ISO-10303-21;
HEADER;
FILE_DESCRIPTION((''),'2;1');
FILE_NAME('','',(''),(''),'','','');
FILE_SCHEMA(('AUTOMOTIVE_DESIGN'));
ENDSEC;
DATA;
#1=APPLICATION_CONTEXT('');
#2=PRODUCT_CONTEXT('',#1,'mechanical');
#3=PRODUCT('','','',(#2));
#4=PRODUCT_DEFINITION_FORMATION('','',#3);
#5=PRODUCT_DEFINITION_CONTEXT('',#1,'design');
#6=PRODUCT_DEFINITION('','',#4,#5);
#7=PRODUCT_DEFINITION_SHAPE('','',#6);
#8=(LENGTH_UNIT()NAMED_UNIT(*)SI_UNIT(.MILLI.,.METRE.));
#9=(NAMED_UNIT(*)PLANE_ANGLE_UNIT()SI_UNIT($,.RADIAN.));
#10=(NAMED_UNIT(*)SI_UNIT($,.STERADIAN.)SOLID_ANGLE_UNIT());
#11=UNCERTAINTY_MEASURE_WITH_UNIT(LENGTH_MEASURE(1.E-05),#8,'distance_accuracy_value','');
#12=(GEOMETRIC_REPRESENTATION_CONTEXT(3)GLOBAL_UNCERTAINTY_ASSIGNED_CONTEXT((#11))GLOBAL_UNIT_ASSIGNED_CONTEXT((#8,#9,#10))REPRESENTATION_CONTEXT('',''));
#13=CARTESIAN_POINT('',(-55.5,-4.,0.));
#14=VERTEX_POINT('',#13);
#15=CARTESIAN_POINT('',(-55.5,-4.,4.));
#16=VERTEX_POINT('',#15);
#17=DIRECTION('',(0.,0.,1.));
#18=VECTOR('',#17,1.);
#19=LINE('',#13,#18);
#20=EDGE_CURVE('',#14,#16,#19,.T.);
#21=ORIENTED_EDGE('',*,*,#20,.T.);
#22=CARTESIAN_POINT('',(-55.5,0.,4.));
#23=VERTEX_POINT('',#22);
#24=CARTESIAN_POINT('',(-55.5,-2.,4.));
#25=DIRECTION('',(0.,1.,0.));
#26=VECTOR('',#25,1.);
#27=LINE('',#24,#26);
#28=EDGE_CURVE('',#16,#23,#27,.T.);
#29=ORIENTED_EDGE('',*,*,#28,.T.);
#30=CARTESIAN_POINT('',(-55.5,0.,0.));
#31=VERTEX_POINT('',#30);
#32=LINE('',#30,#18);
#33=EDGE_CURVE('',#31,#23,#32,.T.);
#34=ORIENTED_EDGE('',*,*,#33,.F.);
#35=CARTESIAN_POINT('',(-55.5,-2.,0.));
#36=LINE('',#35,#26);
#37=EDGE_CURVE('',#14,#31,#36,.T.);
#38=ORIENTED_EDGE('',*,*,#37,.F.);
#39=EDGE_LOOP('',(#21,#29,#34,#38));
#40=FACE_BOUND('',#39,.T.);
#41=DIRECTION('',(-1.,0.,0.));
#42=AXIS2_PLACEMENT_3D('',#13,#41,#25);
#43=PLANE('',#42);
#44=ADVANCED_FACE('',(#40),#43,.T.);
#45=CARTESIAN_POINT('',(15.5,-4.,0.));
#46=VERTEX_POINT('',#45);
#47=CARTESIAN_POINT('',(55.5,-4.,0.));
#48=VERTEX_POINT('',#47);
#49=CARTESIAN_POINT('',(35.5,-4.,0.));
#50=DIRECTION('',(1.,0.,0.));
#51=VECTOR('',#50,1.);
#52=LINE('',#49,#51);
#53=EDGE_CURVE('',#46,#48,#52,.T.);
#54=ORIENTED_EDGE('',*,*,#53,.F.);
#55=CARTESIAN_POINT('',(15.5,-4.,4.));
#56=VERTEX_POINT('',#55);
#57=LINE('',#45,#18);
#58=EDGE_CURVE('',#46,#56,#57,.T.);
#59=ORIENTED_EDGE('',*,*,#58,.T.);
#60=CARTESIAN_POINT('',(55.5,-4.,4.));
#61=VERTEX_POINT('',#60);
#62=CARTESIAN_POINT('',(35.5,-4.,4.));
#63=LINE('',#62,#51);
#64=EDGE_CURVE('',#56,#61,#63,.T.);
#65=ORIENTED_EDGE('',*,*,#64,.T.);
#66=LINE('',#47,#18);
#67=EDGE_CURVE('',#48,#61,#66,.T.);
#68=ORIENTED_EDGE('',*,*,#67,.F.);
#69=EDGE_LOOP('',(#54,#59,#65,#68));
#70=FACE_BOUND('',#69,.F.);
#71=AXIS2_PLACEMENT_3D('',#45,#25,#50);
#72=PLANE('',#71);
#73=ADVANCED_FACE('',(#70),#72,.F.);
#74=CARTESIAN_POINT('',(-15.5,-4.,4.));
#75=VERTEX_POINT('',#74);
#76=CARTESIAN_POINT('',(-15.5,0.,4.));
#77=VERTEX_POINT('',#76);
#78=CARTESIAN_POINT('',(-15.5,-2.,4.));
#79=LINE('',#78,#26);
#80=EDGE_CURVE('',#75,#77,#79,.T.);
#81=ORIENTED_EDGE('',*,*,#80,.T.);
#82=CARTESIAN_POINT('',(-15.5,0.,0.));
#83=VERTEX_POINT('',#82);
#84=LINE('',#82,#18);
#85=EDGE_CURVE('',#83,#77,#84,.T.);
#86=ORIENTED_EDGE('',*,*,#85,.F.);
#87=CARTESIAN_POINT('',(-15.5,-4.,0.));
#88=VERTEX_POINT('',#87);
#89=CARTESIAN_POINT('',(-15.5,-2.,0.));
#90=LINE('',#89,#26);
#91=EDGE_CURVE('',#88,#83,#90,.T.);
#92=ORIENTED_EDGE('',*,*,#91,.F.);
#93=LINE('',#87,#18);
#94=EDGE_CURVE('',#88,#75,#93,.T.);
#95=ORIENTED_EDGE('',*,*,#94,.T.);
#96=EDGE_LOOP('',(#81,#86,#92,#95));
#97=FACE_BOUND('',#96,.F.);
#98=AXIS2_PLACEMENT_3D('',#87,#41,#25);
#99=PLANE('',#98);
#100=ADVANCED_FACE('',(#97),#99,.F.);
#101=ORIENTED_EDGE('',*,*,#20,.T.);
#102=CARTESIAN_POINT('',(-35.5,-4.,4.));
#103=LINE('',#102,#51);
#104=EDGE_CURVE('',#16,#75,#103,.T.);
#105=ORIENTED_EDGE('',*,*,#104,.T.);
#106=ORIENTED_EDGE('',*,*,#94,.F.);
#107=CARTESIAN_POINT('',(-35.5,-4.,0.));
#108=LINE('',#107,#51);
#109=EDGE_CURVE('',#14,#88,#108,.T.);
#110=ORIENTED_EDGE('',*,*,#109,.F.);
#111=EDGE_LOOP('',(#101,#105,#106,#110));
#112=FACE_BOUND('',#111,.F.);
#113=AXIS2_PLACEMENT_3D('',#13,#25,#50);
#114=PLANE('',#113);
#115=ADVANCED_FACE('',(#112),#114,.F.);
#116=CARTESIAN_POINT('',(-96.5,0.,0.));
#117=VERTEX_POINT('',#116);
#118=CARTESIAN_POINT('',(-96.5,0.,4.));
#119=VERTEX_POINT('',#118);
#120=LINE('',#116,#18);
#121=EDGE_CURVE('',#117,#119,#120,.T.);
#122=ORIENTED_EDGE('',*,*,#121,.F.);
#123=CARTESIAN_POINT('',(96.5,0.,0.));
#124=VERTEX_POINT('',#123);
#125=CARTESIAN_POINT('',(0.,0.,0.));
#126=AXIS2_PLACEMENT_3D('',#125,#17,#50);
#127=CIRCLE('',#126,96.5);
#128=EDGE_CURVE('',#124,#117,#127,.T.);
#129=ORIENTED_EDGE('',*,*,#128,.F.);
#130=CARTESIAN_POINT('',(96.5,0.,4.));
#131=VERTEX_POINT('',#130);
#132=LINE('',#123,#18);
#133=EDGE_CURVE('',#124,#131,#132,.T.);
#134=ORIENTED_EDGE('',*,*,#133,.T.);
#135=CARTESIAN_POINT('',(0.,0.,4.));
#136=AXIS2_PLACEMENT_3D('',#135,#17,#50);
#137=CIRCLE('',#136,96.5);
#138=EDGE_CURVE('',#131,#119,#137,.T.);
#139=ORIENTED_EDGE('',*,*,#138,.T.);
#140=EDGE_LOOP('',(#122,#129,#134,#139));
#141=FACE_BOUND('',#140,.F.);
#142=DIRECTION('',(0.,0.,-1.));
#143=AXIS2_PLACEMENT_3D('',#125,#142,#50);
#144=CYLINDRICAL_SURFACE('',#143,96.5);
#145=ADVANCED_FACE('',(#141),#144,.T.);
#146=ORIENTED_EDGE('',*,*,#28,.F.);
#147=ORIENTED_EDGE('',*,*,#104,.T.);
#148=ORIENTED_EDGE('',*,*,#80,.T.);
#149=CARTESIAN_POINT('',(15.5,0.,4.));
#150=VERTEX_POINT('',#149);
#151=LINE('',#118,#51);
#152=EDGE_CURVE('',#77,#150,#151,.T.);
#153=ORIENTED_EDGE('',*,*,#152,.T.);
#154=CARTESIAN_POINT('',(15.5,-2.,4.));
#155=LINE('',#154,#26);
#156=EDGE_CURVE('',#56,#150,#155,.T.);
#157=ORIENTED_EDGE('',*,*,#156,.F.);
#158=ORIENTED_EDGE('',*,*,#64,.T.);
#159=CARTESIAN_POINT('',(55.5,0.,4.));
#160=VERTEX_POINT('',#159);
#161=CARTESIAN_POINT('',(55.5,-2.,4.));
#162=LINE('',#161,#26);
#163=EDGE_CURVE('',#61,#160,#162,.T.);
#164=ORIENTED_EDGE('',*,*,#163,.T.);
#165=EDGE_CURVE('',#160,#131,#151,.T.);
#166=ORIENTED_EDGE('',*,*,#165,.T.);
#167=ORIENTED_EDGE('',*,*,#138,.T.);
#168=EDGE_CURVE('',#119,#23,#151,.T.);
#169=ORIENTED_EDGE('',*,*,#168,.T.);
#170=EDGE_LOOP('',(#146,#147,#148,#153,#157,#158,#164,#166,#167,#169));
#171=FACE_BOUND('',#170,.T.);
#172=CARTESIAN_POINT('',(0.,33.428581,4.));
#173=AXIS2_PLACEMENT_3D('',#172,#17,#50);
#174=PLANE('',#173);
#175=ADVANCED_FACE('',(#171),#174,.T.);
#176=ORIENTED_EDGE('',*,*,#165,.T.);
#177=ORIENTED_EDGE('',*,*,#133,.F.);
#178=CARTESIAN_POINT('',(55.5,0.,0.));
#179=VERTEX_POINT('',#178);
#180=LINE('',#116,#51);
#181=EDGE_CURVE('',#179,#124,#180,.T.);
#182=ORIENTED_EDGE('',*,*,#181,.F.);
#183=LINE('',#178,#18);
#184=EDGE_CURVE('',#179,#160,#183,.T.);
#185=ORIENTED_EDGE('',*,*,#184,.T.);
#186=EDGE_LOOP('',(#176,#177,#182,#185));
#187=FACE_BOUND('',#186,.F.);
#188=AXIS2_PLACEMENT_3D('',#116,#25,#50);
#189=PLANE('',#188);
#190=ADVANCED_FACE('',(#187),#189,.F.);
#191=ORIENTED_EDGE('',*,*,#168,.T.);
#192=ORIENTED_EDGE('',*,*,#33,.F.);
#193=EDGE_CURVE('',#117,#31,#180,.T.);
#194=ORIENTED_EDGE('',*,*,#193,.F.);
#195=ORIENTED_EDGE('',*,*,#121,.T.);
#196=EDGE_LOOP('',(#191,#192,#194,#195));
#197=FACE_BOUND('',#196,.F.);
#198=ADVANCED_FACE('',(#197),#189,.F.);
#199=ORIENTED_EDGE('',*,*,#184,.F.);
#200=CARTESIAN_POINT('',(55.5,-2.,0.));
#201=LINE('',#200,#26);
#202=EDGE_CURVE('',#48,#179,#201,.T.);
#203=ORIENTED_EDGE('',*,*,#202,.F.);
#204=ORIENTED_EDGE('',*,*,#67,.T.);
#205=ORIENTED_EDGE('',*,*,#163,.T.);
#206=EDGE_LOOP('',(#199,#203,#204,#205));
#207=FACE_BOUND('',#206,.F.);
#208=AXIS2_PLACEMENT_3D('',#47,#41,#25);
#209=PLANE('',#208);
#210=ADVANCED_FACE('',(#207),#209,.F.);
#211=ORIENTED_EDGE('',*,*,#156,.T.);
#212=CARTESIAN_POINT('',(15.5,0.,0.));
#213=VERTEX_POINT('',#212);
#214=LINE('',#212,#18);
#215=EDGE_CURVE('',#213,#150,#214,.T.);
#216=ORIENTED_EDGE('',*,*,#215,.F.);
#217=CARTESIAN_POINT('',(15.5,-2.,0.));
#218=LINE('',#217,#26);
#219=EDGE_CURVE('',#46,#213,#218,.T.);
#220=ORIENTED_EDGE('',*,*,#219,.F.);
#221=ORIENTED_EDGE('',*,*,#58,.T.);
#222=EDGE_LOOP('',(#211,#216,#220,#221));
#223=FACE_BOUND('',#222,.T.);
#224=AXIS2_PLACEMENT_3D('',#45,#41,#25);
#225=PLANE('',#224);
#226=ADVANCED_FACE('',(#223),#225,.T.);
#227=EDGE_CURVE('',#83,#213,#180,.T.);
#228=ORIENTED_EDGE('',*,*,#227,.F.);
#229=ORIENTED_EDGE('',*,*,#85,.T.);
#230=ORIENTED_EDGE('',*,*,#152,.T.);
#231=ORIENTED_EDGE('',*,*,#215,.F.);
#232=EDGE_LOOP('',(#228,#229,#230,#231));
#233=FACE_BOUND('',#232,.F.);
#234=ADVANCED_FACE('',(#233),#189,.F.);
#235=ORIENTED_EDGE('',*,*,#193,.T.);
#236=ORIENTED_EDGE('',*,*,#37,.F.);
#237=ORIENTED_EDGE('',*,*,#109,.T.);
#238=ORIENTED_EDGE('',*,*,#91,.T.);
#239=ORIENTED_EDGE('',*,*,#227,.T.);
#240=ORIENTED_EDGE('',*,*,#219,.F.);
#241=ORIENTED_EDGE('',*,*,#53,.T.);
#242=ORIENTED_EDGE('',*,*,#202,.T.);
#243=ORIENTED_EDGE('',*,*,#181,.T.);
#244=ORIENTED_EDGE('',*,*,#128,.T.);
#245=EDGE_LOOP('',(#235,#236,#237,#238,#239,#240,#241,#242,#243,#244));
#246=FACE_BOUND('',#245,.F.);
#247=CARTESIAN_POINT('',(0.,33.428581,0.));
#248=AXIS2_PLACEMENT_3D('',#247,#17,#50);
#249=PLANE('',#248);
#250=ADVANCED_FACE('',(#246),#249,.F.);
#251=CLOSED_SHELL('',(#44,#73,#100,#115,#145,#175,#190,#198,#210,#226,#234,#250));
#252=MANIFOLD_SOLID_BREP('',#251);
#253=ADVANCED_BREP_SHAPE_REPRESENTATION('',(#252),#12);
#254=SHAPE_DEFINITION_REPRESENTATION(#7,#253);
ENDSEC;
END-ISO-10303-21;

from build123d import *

# Parameters (mm, degrees)
F1_DEPTH = 4
F2_W     = 40
F2_H     = 4
F3_DEPTH = 4


with BuildPart() as f1:
    # F0 (on Top) → F1 (new body)
    with BuildSketch(Plane.XY):
        with BuildLine():
            Line((-96.5, 0), (96.5, 0))
            ThreePointArc((96.5, 0), (0, 96.5), (-96.5, 0))
        make_face()
    extrude(amount=F1_DEPTH)

    # F2 (on Top) → F3 (join)
    with BuildSketch(Plane.XY):
        with Locations((-35.5, -2)):
            Rectangle(F2_W, F2_H)
        with Locations((35.5, -2)):
            Rectangle(F2_W, F2_H)
    extrude(amount=F3_DEPTH)


solid = f1.part
